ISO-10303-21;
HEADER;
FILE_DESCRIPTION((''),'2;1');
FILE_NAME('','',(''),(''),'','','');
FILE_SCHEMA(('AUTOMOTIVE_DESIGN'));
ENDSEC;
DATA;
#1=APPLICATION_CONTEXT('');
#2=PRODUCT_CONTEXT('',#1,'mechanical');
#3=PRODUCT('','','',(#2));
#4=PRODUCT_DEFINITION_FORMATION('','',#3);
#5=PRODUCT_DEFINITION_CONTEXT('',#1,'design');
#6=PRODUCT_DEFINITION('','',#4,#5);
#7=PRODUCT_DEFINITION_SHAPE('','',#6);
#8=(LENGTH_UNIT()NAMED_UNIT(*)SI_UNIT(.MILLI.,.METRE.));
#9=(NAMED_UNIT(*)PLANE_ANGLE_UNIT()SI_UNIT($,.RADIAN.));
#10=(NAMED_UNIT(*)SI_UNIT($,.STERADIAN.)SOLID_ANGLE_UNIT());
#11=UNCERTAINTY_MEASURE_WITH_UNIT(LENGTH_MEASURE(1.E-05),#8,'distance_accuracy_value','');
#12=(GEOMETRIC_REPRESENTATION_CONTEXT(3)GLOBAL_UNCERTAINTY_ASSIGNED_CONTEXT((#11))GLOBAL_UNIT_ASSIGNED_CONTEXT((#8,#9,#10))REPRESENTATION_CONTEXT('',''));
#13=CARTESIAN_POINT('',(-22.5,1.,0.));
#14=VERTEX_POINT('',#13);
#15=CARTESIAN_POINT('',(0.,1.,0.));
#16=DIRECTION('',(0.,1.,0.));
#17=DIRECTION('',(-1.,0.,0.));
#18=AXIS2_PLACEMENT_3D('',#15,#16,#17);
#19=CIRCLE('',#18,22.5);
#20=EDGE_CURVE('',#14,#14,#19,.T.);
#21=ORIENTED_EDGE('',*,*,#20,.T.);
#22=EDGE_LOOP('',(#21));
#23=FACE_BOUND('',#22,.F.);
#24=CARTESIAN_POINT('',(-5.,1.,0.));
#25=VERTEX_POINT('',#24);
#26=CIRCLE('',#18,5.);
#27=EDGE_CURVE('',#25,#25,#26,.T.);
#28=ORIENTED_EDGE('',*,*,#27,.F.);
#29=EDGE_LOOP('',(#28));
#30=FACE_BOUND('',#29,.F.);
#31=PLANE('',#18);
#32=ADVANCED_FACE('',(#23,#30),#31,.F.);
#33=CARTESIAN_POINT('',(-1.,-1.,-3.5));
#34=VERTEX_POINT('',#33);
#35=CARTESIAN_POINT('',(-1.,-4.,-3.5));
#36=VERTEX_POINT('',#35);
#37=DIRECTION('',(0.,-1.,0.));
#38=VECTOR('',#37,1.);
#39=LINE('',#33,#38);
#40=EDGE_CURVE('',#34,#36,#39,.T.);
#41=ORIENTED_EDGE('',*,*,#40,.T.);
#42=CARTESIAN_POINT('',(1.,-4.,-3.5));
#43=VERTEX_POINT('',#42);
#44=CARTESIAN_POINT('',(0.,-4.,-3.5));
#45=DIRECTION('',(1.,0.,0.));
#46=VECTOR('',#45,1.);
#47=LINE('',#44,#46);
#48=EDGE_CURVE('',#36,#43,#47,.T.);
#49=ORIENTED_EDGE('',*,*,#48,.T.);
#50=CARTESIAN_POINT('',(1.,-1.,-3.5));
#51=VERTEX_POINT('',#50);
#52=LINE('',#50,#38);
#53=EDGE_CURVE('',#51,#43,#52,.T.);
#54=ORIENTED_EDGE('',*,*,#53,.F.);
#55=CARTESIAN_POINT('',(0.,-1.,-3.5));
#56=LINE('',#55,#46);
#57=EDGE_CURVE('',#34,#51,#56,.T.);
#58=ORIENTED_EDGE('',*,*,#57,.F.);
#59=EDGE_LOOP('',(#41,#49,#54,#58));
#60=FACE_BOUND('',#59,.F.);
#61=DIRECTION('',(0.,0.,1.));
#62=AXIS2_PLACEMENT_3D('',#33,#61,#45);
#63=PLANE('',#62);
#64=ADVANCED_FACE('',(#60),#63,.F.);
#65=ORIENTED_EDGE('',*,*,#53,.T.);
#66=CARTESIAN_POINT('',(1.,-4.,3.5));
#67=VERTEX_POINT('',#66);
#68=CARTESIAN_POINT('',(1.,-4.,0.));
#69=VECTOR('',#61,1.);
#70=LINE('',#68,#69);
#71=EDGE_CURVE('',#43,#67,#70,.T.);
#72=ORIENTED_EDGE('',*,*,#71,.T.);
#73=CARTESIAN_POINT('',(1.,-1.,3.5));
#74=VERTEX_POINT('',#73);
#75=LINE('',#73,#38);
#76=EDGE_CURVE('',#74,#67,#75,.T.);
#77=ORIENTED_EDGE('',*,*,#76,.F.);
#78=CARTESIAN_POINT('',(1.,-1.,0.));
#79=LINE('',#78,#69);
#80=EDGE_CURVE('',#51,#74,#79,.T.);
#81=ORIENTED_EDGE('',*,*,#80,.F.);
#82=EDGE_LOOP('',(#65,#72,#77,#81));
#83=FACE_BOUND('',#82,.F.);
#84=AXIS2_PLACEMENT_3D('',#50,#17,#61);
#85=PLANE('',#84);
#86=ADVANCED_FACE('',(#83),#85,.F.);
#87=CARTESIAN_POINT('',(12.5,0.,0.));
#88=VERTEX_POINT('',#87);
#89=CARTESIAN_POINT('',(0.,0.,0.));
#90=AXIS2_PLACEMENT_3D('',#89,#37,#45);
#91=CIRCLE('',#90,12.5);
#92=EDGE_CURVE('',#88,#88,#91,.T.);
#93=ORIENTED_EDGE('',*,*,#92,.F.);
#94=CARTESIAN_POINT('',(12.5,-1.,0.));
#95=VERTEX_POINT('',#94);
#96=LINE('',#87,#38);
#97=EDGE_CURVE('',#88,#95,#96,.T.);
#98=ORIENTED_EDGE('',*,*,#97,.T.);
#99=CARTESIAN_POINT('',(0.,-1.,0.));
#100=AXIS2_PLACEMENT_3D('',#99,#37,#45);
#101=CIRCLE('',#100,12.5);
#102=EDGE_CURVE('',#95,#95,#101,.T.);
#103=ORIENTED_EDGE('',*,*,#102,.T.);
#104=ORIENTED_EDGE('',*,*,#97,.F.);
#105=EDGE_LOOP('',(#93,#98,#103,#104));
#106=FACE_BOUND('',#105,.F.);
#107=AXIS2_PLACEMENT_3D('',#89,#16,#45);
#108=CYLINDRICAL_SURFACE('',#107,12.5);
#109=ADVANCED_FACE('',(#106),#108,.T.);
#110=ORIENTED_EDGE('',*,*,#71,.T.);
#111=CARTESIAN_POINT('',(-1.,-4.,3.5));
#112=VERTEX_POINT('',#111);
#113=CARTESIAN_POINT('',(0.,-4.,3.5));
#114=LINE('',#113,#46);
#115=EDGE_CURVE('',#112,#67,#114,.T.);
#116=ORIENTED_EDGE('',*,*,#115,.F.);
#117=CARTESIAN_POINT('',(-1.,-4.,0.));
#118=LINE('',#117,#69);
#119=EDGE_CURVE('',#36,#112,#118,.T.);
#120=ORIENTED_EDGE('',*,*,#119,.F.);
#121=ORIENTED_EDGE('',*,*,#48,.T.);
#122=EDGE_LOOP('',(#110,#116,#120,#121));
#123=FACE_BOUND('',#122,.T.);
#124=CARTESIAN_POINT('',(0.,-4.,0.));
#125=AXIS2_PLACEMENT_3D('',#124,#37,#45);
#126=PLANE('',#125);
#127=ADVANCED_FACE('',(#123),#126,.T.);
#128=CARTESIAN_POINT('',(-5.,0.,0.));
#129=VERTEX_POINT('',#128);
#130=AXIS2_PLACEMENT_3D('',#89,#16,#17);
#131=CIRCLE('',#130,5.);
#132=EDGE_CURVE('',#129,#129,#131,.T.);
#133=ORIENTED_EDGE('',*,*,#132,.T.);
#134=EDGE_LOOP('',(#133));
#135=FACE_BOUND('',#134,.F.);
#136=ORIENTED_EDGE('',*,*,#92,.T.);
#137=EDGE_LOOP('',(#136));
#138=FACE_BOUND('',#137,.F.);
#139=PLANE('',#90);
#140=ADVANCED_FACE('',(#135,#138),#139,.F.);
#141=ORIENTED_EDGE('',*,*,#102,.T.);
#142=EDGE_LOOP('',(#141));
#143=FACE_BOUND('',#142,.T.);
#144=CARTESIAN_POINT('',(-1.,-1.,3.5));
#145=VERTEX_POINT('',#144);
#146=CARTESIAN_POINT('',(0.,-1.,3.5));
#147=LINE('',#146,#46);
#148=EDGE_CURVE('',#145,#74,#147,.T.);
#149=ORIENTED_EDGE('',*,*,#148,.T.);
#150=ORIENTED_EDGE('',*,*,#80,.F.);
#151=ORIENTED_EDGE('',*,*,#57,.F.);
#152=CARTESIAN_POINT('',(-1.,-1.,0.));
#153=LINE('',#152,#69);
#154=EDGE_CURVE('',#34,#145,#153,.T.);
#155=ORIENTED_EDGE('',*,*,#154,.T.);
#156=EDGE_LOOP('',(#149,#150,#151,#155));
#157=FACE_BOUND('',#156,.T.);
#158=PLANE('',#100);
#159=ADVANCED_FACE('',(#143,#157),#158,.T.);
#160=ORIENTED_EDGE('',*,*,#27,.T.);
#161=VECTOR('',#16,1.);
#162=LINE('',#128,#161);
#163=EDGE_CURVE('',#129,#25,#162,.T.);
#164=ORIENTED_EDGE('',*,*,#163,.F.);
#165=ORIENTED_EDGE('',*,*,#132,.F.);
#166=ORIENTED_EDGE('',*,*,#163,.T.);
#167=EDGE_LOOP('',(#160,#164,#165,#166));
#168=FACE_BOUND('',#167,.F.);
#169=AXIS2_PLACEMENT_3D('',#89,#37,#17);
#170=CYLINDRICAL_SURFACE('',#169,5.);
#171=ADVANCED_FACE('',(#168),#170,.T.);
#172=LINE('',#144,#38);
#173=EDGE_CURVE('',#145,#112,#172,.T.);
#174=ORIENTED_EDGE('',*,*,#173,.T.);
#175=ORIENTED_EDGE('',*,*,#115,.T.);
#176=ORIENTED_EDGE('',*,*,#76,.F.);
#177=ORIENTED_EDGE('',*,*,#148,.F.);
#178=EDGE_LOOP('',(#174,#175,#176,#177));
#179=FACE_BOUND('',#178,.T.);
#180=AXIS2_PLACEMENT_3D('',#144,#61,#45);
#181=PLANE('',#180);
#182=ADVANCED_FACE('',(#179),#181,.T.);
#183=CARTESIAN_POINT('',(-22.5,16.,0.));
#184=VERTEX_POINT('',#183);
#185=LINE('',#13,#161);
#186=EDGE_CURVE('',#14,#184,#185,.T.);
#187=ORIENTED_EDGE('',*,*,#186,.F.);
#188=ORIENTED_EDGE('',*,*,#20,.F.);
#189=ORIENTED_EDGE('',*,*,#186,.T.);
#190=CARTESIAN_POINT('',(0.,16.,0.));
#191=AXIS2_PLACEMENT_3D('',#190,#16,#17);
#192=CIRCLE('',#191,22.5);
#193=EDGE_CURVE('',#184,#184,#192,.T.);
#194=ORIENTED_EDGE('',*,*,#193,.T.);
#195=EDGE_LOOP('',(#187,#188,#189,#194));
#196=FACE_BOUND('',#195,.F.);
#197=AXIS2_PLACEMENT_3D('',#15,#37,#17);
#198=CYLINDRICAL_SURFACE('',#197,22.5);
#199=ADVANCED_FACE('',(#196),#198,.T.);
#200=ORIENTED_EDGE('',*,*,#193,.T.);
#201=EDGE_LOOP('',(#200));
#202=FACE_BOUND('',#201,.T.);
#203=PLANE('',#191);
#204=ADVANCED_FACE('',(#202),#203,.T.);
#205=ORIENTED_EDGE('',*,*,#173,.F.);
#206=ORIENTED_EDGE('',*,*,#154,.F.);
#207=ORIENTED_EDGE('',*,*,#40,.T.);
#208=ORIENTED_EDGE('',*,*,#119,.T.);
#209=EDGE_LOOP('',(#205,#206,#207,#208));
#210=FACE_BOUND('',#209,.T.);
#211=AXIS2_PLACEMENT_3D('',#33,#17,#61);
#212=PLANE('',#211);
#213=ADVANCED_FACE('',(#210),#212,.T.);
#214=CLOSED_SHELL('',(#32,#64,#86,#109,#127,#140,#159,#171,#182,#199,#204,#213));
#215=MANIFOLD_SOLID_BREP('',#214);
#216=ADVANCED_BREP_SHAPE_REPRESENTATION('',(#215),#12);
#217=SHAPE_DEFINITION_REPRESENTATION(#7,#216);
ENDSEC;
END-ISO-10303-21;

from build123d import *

# Parameters (mm, degrees)
F0_R     = 12.5
F1_DEPTH = 1
F2_W     = 2
F2_H     = 7
F3_DEPTH = 3
F4_R     = 5
F5_DEPTH = 1
F6_R     = 22.5
F7_DEPTH = 15


with BuildPart() as f1:
    # F0 (on Front) → F1 (new body)
    with BuildSketch(Plane.XZ):
        Circle(F0_R)
    extrude(amount=F1_DEPTH)

    # F2 (on face) → F3 (join)
    with BuildSketch(Plane.XZ.offset(1)):
        Rectangle(F2_W, F2_H)
    extrude(amount=F3_DEPTH)

    # F4 (on face) → F5 (join)
    with BuildSketch(Plane(origin=(0, 0, 0), x_dir=(-1, 0, 0), z_dir=(0, 1, 0))):
        Circle(F4_R)
    extrude(amount=F5_DEPTH)

    # F6 (on face) → F7 (join)
    with BuildSketch(Plane(origin=(0, 1, 0), x_dir=(-1, 0, 0), z_dir=(0, 1, 0))):
        Circle(F6_R)
    extrude(amount=F7_DEPTH)


solid = f1.part
